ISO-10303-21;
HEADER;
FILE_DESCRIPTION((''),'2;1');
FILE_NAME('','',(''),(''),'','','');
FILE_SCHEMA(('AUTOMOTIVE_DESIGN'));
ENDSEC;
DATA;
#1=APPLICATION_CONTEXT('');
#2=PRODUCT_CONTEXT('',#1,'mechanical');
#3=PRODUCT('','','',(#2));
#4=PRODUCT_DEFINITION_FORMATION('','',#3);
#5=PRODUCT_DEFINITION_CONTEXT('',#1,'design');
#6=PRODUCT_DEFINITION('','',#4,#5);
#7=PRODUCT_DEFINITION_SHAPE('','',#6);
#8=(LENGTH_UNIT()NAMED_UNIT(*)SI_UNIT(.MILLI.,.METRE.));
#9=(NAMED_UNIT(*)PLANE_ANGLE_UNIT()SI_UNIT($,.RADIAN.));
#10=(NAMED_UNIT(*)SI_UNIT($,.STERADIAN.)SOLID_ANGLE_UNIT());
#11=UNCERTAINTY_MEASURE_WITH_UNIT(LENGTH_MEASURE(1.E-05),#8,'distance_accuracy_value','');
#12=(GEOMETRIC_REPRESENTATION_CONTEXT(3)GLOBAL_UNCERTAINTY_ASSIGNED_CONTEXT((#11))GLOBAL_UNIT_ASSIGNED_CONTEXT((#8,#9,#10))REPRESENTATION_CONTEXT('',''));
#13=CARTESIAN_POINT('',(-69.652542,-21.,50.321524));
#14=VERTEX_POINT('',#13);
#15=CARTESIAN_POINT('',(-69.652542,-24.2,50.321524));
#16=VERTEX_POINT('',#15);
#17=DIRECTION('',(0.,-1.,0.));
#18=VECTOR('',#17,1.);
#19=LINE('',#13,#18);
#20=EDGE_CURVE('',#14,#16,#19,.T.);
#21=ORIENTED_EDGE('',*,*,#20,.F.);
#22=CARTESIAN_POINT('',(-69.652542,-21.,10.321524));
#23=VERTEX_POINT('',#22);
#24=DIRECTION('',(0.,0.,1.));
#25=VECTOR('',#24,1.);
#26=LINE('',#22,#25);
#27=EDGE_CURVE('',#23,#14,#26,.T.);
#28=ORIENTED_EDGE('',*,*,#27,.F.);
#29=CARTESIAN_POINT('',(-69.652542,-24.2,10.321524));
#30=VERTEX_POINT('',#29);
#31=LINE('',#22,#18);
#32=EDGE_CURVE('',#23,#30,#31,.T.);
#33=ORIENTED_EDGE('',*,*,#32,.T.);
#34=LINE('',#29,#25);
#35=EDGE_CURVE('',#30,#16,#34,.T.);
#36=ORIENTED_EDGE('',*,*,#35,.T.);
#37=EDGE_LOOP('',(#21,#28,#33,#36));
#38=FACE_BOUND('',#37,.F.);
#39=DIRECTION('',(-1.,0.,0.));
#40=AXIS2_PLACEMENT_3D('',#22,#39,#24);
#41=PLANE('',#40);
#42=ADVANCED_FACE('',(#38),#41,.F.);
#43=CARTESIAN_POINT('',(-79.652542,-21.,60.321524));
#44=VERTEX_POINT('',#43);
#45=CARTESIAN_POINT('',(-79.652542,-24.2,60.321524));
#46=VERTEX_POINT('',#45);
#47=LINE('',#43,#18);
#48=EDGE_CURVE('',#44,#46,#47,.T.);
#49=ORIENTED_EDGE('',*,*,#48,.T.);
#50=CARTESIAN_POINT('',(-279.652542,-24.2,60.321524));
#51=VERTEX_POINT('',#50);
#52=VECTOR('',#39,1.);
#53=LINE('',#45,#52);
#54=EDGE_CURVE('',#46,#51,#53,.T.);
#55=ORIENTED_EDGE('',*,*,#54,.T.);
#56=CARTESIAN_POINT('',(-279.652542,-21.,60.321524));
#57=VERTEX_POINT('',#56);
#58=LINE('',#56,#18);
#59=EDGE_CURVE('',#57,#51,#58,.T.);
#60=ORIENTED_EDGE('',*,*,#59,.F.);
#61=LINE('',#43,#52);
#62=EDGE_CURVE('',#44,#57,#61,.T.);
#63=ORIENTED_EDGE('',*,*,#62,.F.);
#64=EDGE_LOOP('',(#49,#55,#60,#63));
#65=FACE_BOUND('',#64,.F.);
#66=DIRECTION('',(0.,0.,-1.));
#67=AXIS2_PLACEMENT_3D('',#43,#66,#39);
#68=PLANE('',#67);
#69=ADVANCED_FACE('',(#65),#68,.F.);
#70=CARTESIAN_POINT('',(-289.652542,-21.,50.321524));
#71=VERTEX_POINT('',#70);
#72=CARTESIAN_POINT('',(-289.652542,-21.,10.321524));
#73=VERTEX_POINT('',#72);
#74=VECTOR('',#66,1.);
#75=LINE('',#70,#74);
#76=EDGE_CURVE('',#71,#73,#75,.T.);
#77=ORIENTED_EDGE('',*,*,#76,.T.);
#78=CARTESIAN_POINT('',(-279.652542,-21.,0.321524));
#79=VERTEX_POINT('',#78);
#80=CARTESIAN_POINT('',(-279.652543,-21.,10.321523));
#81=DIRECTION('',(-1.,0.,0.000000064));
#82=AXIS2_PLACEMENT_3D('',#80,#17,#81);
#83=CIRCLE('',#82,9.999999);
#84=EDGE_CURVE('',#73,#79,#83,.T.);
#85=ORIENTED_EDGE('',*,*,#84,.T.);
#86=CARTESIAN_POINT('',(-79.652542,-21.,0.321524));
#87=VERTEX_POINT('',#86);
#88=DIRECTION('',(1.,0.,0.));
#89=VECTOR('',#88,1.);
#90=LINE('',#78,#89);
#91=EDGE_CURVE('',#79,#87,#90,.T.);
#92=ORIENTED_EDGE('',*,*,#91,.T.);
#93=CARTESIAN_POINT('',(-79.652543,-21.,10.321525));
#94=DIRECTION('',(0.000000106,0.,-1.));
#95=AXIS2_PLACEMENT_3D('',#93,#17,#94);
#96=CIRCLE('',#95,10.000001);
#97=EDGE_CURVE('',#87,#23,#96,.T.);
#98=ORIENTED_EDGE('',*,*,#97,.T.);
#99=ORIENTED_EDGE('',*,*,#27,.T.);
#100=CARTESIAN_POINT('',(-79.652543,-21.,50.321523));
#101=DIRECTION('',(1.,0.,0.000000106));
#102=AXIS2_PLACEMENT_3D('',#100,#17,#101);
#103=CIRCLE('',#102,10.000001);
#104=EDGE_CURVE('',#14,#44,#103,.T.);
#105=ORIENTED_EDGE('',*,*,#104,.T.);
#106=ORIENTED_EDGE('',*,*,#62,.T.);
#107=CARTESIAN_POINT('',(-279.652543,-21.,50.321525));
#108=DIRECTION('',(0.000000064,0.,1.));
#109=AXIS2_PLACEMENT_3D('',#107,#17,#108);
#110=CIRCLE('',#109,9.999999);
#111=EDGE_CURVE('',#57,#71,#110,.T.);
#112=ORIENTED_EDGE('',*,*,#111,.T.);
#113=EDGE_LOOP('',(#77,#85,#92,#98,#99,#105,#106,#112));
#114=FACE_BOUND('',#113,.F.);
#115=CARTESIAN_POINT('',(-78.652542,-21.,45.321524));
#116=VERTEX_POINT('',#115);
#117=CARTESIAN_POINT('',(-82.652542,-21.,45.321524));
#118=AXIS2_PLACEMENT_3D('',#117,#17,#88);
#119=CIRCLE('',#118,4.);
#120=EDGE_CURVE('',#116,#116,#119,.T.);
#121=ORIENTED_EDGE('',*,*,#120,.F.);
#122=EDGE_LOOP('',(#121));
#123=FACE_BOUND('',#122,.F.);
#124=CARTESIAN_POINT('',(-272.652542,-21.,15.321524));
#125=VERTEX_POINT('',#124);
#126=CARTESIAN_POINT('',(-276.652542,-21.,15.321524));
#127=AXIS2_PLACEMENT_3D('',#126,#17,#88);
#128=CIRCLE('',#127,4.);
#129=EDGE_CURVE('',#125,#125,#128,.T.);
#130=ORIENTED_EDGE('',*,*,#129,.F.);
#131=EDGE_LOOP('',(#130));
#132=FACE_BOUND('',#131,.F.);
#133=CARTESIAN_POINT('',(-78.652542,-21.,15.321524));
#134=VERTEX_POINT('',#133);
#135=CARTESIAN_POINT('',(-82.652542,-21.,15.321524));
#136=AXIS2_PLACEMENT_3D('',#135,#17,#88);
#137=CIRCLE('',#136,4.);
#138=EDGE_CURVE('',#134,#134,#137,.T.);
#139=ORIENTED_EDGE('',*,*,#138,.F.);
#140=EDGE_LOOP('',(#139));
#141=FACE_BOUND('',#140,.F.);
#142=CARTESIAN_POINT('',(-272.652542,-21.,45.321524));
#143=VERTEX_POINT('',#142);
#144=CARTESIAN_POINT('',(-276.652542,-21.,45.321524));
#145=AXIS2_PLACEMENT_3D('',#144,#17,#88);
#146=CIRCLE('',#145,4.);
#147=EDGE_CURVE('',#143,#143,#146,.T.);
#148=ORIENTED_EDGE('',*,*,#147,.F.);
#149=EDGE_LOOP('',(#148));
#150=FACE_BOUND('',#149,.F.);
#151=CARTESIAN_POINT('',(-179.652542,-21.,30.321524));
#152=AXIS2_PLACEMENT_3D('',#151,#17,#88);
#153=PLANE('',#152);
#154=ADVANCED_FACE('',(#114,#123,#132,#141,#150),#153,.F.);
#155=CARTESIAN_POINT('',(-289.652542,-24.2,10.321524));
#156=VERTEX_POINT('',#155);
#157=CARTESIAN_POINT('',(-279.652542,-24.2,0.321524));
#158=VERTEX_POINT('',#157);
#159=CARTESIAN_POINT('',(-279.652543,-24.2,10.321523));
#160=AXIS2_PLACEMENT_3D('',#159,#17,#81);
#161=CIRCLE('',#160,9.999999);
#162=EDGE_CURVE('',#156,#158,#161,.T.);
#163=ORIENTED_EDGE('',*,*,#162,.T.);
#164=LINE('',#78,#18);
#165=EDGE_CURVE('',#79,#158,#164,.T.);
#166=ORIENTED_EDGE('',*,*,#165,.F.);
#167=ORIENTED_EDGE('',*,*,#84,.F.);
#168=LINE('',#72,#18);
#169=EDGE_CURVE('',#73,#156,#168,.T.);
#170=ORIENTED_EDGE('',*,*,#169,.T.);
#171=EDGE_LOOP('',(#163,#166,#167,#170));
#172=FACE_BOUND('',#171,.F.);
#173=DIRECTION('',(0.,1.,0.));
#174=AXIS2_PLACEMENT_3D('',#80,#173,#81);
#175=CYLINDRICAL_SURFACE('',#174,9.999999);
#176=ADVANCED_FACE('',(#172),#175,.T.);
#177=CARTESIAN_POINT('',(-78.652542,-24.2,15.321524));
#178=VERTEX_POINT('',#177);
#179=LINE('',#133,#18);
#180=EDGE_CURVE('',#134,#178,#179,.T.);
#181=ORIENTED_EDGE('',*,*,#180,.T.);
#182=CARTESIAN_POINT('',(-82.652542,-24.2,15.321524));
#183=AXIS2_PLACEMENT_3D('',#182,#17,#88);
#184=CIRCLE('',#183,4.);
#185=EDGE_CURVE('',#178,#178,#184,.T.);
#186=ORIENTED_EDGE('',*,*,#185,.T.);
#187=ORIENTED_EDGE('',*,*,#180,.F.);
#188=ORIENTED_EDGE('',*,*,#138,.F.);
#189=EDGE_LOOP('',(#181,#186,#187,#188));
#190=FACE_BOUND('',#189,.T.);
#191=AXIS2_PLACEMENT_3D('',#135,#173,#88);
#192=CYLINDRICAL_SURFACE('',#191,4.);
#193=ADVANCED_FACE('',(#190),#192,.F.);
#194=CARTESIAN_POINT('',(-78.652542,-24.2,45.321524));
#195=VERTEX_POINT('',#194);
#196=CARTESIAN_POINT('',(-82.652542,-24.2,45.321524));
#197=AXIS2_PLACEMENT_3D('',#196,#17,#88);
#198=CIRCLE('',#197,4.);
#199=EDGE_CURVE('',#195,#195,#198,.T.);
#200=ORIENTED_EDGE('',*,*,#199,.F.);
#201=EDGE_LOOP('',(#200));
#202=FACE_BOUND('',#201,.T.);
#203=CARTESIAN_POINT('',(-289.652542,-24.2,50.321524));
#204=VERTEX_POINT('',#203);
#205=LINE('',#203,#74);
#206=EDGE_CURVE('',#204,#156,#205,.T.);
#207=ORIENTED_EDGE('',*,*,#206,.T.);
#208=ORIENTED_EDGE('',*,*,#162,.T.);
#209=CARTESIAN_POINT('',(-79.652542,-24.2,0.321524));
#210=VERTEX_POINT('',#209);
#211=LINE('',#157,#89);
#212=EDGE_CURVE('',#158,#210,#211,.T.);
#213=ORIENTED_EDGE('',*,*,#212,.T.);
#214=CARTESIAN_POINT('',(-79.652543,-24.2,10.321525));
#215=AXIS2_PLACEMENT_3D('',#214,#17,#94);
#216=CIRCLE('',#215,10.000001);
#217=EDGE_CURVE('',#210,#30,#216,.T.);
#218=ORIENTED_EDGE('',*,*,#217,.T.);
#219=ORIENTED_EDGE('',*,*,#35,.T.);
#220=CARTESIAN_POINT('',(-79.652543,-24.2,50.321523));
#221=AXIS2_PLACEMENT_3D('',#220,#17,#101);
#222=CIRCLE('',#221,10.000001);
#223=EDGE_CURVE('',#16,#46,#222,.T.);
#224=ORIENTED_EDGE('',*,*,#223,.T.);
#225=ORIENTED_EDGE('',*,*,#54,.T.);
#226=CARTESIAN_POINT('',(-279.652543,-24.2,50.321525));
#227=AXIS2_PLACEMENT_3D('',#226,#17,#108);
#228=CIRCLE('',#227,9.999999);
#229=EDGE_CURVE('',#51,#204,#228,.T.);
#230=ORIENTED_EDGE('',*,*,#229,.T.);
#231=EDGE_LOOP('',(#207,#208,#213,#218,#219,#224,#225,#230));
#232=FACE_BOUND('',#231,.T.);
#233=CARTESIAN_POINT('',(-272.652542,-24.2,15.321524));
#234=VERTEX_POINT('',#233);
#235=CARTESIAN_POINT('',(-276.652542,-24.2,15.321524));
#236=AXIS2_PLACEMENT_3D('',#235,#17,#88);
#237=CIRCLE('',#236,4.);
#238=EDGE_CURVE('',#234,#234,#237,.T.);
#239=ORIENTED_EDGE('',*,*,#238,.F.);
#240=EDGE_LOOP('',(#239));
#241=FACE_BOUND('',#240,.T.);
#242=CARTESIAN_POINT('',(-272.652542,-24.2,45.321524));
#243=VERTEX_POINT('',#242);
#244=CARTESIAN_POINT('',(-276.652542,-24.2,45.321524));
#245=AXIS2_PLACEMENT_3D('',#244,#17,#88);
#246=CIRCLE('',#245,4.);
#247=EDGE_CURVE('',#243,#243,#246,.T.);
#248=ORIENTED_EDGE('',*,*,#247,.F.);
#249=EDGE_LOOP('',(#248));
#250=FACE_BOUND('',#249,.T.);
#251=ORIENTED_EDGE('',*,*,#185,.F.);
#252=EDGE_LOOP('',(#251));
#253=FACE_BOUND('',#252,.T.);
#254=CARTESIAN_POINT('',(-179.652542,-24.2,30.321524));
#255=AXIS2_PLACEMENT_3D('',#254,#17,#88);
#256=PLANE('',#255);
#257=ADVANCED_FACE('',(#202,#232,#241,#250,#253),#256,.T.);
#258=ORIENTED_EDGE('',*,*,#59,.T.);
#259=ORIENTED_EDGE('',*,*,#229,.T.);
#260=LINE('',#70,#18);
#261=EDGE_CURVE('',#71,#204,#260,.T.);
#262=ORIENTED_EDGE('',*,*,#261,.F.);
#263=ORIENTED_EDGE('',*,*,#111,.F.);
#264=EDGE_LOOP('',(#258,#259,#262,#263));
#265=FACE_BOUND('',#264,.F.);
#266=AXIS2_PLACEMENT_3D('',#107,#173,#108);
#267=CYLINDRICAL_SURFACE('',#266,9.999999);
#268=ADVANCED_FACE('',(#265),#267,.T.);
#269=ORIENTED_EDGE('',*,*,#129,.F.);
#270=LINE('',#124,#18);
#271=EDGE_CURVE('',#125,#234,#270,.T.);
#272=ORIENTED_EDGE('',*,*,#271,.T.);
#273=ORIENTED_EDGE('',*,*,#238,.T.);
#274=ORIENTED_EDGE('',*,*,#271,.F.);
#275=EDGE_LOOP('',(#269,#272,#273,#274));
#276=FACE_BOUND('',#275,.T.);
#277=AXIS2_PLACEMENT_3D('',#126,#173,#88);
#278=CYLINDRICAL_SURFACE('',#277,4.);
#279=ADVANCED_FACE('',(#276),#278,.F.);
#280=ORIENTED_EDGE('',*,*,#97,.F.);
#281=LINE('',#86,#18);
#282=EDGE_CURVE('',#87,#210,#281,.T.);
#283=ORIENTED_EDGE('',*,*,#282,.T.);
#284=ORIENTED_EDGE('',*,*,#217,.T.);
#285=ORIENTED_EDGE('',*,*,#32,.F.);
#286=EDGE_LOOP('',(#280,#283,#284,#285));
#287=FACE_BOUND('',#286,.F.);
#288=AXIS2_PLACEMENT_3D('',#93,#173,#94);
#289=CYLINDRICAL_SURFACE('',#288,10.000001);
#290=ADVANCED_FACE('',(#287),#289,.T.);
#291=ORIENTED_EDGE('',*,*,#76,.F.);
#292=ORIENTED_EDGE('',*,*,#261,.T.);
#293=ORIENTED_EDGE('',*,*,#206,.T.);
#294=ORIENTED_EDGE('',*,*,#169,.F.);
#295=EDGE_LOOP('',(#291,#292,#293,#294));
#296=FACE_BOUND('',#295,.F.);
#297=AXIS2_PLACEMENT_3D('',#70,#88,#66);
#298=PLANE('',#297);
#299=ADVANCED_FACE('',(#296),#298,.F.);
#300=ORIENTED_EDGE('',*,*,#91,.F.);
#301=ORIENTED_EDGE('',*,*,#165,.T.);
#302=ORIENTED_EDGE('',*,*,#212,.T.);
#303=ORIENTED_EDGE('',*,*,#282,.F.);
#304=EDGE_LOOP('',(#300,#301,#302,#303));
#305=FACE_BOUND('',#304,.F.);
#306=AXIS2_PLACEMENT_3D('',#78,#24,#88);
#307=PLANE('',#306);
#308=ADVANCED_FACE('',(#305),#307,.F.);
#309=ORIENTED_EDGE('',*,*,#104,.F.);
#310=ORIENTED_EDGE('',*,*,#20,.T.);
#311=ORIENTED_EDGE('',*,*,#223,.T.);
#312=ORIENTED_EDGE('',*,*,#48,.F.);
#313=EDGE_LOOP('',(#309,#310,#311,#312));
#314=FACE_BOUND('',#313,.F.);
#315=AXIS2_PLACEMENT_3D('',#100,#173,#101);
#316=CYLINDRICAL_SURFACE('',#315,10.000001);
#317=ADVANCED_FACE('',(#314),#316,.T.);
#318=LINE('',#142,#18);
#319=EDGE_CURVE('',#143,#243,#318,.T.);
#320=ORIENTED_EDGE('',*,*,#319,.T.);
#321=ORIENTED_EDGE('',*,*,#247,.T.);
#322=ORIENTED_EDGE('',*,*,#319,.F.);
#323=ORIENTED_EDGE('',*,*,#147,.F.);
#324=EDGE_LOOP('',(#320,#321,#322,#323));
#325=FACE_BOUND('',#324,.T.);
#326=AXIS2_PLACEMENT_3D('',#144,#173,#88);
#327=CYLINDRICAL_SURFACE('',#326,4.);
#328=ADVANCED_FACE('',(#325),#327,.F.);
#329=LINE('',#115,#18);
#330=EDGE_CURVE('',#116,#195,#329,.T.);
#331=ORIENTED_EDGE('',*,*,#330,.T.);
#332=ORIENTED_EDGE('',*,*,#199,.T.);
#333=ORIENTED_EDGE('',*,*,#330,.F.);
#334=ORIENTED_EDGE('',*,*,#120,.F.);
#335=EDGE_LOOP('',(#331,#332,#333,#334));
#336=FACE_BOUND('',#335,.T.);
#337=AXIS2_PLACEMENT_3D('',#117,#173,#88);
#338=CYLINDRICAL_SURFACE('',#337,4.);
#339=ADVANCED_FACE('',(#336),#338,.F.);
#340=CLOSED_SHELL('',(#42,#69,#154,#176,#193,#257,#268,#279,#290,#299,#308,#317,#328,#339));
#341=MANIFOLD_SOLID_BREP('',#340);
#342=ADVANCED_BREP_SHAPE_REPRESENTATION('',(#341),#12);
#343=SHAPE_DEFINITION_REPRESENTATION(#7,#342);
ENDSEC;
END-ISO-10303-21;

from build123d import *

# Parameters (mm, degrees)
F2_R     = 4
F3_DEPTH = 3.2


with BuildPart() as f3:
    # F2 (on offset) → F3 (new body)
    with BuildSketch(Plane.XZ.offset(21)):
        with BuildLine():
            Line((-184.462714, 60.321524), (-279.652542, 60.321524))
            ThreePointArc((-279.652542, 60.321524), (-286.72361, 57.392592), (-289.652542, 50.321524))
            Line((-289.652542, 50.321524), (-289.652542, 10.321524))
            ThreePointArc((-289.652542, 10.321524), (-286.72361, 3.250456), (-279.652542, 0.321524))
            Line((-279.652542, 0.321524), (-79.652542, 0.321524))
            ThreePointArc((-79.652542, 0.321524), (-72.581475, 3.250456), (-69.652542, 10.321524))
            Line((-69.652542, 10.321524), (-69.652542, 50.321524))
            ThreePointArc((-69.652542, 50.321524), (-72.581475, 57.392592), (-79.652542, 60.321524))
            Line((-79.652542, 60.321524), (-104.462714, 60.321524))
            Line((-104.462714, 60.321524), (-184.462714, 60.321524))
        make_face()
        with Locations((-276.652542, 15.321524)):
            Circle(F2_R, mode=Mode.SUBTRACT)
        with Locations((-82.652542, 15.321524)):
            Circle(F2_R, mode=Mode.SUBTRACT)
        with Locations((-276.652542, 45.321524)):
            Circle(F2_R, mode=Mode.SUBTRACT)
        with Locations((-82.652542, 45.321524)):
            Circle(F2_R, mode=Mode.SUBTRACT)
    extrude(amount=F3_DEPTH)


solid = f3.part
